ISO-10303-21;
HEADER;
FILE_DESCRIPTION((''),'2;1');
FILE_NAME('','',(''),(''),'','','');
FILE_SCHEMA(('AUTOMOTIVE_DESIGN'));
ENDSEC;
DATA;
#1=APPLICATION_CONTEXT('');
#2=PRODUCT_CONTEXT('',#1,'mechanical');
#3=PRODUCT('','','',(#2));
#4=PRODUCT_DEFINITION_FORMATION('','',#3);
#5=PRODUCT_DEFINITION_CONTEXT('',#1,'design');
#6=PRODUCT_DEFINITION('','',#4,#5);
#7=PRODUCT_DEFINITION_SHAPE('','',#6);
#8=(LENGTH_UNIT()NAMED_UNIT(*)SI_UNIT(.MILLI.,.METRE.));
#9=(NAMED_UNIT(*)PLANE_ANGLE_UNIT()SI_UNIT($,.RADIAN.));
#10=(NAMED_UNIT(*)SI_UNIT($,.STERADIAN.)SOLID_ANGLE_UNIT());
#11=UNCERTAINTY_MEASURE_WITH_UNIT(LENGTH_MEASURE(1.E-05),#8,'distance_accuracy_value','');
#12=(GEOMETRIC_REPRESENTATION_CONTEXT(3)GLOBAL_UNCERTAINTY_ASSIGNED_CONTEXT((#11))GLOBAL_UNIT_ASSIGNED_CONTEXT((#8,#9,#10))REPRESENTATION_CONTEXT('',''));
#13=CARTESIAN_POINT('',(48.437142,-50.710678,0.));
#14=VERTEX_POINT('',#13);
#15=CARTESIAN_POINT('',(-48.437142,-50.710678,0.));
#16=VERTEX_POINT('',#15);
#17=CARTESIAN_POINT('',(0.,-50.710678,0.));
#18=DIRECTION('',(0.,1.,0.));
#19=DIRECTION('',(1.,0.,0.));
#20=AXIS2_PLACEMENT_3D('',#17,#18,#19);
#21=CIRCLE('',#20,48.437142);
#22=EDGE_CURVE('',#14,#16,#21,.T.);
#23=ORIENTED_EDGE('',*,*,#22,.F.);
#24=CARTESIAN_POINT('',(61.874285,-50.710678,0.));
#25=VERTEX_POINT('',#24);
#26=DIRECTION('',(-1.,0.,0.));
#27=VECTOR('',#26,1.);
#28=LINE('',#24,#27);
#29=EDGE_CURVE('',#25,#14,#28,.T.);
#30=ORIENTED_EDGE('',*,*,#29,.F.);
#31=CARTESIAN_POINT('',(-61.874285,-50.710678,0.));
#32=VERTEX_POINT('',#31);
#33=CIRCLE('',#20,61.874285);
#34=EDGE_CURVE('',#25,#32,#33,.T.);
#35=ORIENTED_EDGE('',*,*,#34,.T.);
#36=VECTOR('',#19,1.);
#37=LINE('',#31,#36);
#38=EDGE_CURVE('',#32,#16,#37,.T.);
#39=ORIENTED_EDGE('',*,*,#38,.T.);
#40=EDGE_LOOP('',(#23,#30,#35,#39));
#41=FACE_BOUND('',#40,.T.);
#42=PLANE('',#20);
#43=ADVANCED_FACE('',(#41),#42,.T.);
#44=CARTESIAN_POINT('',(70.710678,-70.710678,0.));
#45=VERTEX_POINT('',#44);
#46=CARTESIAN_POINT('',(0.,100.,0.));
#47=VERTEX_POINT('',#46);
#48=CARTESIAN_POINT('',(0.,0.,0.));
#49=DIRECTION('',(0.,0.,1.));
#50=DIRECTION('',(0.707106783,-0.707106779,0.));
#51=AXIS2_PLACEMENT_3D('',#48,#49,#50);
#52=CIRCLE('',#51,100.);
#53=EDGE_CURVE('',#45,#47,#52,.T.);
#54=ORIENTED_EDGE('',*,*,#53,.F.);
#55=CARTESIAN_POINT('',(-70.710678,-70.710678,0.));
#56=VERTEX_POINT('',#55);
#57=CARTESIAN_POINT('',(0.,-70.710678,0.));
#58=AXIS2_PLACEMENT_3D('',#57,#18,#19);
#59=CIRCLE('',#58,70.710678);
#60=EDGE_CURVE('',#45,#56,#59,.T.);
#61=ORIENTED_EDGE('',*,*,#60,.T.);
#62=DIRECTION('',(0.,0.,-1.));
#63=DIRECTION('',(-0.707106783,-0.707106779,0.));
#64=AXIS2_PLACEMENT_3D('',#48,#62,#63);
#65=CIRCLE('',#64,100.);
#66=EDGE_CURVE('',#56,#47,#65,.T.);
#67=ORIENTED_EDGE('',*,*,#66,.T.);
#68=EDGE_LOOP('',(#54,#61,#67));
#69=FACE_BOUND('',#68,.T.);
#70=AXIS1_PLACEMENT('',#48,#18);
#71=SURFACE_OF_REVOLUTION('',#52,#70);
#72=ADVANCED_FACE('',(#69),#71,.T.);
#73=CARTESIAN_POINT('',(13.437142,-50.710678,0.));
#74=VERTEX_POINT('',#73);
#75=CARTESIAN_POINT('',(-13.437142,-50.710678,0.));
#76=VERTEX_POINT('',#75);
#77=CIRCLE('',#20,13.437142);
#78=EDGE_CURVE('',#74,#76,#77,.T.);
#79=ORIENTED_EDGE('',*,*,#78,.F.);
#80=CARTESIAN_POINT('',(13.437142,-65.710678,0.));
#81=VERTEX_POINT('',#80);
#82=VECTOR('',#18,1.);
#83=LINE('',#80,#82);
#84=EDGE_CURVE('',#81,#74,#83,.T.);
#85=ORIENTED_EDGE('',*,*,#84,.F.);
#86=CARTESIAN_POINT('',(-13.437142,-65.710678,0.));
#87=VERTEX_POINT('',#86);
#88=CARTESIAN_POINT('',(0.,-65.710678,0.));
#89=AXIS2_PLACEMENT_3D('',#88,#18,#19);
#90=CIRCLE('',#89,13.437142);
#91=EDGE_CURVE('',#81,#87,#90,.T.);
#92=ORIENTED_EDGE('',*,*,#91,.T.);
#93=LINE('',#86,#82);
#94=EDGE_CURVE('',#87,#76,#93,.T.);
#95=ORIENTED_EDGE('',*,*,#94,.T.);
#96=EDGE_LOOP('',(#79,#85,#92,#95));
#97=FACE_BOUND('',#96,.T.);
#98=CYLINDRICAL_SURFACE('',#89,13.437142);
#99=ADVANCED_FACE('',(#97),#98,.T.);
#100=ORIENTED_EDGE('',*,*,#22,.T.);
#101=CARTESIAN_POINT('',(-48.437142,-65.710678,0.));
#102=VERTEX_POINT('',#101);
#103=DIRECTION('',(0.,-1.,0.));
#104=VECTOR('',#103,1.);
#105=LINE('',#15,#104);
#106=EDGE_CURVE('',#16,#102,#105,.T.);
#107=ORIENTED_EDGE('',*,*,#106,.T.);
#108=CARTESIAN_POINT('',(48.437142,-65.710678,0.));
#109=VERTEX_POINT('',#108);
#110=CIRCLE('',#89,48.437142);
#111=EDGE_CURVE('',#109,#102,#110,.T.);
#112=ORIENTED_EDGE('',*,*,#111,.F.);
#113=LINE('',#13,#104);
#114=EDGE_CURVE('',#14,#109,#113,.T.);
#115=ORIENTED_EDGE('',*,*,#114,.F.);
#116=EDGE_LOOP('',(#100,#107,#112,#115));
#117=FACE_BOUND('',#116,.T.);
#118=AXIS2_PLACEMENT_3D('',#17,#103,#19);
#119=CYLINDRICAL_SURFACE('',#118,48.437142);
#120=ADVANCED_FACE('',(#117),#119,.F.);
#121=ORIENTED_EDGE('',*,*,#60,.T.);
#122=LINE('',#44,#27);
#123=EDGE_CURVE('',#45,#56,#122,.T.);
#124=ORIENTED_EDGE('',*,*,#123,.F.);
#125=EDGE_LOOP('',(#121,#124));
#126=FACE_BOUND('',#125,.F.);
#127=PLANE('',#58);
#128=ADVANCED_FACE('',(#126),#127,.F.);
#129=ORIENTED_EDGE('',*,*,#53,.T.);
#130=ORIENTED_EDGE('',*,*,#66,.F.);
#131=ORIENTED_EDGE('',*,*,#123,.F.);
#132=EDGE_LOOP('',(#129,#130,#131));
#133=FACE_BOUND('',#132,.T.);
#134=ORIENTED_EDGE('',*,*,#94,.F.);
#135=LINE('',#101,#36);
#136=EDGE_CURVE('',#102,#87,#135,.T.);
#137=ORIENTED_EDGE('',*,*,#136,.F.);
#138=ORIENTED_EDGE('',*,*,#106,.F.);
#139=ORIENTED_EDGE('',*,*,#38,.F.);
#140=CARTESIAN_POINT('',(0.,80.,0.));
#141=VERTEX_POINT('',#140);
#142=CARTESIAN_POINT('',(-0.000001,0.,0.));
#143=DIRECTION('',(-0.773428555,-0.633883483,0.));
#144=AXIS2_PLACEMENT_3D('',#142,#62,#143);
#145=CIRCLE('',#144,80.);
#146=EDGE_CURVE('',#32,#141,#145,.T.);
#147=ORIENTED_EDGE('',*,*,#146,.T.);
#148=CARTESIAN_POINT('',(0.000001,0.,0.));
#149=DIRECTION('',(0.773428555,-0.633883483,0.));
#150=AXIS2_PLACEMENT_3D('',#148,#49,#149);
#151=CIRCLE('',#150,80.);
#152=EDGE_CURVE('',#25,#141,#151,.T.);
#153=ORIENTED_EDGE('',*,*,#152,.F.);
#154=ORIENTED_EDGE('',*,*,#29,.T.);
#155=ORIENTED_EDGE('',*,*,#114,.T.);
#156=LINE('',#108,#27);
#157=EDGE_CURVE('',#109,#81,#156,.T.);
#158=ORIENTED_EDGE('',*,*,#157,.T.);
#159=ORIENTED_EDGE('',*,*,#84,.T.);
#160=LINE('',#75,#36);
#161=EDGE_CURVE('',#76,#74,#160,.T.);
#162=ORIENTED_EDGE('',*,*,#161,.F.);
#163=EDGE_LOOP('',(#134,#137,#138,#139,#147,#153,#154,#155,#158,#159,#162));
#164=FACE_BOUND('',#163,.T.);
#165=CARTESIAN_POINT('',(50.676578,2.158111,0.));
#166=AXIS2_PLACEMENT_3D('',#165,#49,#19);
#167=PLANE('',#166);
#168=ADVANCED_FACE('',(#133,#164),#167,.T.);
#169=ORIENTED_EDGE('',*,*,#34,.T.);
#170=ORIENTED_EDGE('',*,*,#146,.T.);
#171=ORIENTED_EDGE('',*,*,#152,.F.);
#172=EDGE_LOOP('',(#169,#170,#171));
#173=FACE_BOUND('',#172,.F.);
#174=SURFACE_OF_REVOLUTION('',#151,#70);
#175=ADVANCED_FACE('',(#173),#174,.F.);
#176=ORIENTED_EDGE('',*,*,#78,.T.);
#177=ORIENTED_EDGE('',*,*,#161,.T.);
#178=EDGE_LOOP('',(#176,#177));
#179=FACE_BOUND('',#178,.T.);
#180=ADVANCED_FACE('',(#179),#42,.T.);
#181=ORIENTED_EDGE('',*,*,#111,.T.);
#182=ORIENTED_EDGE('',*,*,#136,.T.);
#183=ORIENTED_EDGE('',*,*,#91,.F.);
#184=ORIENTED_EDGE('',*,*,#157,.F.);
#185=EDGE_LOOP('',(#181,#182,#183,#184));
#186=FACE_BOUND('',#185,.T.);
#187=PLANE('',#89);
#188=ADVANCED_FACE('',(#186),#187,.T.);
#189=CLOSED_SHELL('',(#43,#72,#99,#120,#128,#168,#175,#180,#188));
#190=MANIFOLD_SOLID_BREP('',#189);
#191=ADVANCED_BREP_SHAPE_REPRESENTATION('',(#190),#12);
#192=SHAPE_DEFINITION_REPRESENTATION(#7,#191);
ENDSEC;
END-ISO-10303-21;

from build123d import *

# Parameters (mm, degrees)
REVOLUTION_ANGLE = 180


with BuildPart() as part:
    # Sketch → Revolution (revolve)
    with BuildSketch(Plane.XY):
        with BuildLine():
            ThreePointArc((70.710678, -70.710678), (92.387953, 38.268343), (0, 100))
            Line((0, 100), (0, 80))
            ThreePointArc((61.874285, -50.710678), (72.307864, 34.228247), (0, 80))
            Line((61.874285, -50.710678), (48.437142, -50.710678))
            Line((48.437142, -50.710678), (48.437142, -65.710678))
            Line((48.437142, -65.710678), (13.437142, -65.710678))
            Line((13.437142, -65.710678), (13.437142, -50.710678))
            Line((13.437142, -50.710678), (0, -50.710678))
            Line((0, -50.710678), (0, -70.710678))
            Line((70.710678, -70.710678), (0, -70.710678))
        make_face()
    revolve(axis=Axis((0, 0, 0), (0, 1, 0)), revolution_arc=REVOLUTION_ANGLE)


solid = part.part
